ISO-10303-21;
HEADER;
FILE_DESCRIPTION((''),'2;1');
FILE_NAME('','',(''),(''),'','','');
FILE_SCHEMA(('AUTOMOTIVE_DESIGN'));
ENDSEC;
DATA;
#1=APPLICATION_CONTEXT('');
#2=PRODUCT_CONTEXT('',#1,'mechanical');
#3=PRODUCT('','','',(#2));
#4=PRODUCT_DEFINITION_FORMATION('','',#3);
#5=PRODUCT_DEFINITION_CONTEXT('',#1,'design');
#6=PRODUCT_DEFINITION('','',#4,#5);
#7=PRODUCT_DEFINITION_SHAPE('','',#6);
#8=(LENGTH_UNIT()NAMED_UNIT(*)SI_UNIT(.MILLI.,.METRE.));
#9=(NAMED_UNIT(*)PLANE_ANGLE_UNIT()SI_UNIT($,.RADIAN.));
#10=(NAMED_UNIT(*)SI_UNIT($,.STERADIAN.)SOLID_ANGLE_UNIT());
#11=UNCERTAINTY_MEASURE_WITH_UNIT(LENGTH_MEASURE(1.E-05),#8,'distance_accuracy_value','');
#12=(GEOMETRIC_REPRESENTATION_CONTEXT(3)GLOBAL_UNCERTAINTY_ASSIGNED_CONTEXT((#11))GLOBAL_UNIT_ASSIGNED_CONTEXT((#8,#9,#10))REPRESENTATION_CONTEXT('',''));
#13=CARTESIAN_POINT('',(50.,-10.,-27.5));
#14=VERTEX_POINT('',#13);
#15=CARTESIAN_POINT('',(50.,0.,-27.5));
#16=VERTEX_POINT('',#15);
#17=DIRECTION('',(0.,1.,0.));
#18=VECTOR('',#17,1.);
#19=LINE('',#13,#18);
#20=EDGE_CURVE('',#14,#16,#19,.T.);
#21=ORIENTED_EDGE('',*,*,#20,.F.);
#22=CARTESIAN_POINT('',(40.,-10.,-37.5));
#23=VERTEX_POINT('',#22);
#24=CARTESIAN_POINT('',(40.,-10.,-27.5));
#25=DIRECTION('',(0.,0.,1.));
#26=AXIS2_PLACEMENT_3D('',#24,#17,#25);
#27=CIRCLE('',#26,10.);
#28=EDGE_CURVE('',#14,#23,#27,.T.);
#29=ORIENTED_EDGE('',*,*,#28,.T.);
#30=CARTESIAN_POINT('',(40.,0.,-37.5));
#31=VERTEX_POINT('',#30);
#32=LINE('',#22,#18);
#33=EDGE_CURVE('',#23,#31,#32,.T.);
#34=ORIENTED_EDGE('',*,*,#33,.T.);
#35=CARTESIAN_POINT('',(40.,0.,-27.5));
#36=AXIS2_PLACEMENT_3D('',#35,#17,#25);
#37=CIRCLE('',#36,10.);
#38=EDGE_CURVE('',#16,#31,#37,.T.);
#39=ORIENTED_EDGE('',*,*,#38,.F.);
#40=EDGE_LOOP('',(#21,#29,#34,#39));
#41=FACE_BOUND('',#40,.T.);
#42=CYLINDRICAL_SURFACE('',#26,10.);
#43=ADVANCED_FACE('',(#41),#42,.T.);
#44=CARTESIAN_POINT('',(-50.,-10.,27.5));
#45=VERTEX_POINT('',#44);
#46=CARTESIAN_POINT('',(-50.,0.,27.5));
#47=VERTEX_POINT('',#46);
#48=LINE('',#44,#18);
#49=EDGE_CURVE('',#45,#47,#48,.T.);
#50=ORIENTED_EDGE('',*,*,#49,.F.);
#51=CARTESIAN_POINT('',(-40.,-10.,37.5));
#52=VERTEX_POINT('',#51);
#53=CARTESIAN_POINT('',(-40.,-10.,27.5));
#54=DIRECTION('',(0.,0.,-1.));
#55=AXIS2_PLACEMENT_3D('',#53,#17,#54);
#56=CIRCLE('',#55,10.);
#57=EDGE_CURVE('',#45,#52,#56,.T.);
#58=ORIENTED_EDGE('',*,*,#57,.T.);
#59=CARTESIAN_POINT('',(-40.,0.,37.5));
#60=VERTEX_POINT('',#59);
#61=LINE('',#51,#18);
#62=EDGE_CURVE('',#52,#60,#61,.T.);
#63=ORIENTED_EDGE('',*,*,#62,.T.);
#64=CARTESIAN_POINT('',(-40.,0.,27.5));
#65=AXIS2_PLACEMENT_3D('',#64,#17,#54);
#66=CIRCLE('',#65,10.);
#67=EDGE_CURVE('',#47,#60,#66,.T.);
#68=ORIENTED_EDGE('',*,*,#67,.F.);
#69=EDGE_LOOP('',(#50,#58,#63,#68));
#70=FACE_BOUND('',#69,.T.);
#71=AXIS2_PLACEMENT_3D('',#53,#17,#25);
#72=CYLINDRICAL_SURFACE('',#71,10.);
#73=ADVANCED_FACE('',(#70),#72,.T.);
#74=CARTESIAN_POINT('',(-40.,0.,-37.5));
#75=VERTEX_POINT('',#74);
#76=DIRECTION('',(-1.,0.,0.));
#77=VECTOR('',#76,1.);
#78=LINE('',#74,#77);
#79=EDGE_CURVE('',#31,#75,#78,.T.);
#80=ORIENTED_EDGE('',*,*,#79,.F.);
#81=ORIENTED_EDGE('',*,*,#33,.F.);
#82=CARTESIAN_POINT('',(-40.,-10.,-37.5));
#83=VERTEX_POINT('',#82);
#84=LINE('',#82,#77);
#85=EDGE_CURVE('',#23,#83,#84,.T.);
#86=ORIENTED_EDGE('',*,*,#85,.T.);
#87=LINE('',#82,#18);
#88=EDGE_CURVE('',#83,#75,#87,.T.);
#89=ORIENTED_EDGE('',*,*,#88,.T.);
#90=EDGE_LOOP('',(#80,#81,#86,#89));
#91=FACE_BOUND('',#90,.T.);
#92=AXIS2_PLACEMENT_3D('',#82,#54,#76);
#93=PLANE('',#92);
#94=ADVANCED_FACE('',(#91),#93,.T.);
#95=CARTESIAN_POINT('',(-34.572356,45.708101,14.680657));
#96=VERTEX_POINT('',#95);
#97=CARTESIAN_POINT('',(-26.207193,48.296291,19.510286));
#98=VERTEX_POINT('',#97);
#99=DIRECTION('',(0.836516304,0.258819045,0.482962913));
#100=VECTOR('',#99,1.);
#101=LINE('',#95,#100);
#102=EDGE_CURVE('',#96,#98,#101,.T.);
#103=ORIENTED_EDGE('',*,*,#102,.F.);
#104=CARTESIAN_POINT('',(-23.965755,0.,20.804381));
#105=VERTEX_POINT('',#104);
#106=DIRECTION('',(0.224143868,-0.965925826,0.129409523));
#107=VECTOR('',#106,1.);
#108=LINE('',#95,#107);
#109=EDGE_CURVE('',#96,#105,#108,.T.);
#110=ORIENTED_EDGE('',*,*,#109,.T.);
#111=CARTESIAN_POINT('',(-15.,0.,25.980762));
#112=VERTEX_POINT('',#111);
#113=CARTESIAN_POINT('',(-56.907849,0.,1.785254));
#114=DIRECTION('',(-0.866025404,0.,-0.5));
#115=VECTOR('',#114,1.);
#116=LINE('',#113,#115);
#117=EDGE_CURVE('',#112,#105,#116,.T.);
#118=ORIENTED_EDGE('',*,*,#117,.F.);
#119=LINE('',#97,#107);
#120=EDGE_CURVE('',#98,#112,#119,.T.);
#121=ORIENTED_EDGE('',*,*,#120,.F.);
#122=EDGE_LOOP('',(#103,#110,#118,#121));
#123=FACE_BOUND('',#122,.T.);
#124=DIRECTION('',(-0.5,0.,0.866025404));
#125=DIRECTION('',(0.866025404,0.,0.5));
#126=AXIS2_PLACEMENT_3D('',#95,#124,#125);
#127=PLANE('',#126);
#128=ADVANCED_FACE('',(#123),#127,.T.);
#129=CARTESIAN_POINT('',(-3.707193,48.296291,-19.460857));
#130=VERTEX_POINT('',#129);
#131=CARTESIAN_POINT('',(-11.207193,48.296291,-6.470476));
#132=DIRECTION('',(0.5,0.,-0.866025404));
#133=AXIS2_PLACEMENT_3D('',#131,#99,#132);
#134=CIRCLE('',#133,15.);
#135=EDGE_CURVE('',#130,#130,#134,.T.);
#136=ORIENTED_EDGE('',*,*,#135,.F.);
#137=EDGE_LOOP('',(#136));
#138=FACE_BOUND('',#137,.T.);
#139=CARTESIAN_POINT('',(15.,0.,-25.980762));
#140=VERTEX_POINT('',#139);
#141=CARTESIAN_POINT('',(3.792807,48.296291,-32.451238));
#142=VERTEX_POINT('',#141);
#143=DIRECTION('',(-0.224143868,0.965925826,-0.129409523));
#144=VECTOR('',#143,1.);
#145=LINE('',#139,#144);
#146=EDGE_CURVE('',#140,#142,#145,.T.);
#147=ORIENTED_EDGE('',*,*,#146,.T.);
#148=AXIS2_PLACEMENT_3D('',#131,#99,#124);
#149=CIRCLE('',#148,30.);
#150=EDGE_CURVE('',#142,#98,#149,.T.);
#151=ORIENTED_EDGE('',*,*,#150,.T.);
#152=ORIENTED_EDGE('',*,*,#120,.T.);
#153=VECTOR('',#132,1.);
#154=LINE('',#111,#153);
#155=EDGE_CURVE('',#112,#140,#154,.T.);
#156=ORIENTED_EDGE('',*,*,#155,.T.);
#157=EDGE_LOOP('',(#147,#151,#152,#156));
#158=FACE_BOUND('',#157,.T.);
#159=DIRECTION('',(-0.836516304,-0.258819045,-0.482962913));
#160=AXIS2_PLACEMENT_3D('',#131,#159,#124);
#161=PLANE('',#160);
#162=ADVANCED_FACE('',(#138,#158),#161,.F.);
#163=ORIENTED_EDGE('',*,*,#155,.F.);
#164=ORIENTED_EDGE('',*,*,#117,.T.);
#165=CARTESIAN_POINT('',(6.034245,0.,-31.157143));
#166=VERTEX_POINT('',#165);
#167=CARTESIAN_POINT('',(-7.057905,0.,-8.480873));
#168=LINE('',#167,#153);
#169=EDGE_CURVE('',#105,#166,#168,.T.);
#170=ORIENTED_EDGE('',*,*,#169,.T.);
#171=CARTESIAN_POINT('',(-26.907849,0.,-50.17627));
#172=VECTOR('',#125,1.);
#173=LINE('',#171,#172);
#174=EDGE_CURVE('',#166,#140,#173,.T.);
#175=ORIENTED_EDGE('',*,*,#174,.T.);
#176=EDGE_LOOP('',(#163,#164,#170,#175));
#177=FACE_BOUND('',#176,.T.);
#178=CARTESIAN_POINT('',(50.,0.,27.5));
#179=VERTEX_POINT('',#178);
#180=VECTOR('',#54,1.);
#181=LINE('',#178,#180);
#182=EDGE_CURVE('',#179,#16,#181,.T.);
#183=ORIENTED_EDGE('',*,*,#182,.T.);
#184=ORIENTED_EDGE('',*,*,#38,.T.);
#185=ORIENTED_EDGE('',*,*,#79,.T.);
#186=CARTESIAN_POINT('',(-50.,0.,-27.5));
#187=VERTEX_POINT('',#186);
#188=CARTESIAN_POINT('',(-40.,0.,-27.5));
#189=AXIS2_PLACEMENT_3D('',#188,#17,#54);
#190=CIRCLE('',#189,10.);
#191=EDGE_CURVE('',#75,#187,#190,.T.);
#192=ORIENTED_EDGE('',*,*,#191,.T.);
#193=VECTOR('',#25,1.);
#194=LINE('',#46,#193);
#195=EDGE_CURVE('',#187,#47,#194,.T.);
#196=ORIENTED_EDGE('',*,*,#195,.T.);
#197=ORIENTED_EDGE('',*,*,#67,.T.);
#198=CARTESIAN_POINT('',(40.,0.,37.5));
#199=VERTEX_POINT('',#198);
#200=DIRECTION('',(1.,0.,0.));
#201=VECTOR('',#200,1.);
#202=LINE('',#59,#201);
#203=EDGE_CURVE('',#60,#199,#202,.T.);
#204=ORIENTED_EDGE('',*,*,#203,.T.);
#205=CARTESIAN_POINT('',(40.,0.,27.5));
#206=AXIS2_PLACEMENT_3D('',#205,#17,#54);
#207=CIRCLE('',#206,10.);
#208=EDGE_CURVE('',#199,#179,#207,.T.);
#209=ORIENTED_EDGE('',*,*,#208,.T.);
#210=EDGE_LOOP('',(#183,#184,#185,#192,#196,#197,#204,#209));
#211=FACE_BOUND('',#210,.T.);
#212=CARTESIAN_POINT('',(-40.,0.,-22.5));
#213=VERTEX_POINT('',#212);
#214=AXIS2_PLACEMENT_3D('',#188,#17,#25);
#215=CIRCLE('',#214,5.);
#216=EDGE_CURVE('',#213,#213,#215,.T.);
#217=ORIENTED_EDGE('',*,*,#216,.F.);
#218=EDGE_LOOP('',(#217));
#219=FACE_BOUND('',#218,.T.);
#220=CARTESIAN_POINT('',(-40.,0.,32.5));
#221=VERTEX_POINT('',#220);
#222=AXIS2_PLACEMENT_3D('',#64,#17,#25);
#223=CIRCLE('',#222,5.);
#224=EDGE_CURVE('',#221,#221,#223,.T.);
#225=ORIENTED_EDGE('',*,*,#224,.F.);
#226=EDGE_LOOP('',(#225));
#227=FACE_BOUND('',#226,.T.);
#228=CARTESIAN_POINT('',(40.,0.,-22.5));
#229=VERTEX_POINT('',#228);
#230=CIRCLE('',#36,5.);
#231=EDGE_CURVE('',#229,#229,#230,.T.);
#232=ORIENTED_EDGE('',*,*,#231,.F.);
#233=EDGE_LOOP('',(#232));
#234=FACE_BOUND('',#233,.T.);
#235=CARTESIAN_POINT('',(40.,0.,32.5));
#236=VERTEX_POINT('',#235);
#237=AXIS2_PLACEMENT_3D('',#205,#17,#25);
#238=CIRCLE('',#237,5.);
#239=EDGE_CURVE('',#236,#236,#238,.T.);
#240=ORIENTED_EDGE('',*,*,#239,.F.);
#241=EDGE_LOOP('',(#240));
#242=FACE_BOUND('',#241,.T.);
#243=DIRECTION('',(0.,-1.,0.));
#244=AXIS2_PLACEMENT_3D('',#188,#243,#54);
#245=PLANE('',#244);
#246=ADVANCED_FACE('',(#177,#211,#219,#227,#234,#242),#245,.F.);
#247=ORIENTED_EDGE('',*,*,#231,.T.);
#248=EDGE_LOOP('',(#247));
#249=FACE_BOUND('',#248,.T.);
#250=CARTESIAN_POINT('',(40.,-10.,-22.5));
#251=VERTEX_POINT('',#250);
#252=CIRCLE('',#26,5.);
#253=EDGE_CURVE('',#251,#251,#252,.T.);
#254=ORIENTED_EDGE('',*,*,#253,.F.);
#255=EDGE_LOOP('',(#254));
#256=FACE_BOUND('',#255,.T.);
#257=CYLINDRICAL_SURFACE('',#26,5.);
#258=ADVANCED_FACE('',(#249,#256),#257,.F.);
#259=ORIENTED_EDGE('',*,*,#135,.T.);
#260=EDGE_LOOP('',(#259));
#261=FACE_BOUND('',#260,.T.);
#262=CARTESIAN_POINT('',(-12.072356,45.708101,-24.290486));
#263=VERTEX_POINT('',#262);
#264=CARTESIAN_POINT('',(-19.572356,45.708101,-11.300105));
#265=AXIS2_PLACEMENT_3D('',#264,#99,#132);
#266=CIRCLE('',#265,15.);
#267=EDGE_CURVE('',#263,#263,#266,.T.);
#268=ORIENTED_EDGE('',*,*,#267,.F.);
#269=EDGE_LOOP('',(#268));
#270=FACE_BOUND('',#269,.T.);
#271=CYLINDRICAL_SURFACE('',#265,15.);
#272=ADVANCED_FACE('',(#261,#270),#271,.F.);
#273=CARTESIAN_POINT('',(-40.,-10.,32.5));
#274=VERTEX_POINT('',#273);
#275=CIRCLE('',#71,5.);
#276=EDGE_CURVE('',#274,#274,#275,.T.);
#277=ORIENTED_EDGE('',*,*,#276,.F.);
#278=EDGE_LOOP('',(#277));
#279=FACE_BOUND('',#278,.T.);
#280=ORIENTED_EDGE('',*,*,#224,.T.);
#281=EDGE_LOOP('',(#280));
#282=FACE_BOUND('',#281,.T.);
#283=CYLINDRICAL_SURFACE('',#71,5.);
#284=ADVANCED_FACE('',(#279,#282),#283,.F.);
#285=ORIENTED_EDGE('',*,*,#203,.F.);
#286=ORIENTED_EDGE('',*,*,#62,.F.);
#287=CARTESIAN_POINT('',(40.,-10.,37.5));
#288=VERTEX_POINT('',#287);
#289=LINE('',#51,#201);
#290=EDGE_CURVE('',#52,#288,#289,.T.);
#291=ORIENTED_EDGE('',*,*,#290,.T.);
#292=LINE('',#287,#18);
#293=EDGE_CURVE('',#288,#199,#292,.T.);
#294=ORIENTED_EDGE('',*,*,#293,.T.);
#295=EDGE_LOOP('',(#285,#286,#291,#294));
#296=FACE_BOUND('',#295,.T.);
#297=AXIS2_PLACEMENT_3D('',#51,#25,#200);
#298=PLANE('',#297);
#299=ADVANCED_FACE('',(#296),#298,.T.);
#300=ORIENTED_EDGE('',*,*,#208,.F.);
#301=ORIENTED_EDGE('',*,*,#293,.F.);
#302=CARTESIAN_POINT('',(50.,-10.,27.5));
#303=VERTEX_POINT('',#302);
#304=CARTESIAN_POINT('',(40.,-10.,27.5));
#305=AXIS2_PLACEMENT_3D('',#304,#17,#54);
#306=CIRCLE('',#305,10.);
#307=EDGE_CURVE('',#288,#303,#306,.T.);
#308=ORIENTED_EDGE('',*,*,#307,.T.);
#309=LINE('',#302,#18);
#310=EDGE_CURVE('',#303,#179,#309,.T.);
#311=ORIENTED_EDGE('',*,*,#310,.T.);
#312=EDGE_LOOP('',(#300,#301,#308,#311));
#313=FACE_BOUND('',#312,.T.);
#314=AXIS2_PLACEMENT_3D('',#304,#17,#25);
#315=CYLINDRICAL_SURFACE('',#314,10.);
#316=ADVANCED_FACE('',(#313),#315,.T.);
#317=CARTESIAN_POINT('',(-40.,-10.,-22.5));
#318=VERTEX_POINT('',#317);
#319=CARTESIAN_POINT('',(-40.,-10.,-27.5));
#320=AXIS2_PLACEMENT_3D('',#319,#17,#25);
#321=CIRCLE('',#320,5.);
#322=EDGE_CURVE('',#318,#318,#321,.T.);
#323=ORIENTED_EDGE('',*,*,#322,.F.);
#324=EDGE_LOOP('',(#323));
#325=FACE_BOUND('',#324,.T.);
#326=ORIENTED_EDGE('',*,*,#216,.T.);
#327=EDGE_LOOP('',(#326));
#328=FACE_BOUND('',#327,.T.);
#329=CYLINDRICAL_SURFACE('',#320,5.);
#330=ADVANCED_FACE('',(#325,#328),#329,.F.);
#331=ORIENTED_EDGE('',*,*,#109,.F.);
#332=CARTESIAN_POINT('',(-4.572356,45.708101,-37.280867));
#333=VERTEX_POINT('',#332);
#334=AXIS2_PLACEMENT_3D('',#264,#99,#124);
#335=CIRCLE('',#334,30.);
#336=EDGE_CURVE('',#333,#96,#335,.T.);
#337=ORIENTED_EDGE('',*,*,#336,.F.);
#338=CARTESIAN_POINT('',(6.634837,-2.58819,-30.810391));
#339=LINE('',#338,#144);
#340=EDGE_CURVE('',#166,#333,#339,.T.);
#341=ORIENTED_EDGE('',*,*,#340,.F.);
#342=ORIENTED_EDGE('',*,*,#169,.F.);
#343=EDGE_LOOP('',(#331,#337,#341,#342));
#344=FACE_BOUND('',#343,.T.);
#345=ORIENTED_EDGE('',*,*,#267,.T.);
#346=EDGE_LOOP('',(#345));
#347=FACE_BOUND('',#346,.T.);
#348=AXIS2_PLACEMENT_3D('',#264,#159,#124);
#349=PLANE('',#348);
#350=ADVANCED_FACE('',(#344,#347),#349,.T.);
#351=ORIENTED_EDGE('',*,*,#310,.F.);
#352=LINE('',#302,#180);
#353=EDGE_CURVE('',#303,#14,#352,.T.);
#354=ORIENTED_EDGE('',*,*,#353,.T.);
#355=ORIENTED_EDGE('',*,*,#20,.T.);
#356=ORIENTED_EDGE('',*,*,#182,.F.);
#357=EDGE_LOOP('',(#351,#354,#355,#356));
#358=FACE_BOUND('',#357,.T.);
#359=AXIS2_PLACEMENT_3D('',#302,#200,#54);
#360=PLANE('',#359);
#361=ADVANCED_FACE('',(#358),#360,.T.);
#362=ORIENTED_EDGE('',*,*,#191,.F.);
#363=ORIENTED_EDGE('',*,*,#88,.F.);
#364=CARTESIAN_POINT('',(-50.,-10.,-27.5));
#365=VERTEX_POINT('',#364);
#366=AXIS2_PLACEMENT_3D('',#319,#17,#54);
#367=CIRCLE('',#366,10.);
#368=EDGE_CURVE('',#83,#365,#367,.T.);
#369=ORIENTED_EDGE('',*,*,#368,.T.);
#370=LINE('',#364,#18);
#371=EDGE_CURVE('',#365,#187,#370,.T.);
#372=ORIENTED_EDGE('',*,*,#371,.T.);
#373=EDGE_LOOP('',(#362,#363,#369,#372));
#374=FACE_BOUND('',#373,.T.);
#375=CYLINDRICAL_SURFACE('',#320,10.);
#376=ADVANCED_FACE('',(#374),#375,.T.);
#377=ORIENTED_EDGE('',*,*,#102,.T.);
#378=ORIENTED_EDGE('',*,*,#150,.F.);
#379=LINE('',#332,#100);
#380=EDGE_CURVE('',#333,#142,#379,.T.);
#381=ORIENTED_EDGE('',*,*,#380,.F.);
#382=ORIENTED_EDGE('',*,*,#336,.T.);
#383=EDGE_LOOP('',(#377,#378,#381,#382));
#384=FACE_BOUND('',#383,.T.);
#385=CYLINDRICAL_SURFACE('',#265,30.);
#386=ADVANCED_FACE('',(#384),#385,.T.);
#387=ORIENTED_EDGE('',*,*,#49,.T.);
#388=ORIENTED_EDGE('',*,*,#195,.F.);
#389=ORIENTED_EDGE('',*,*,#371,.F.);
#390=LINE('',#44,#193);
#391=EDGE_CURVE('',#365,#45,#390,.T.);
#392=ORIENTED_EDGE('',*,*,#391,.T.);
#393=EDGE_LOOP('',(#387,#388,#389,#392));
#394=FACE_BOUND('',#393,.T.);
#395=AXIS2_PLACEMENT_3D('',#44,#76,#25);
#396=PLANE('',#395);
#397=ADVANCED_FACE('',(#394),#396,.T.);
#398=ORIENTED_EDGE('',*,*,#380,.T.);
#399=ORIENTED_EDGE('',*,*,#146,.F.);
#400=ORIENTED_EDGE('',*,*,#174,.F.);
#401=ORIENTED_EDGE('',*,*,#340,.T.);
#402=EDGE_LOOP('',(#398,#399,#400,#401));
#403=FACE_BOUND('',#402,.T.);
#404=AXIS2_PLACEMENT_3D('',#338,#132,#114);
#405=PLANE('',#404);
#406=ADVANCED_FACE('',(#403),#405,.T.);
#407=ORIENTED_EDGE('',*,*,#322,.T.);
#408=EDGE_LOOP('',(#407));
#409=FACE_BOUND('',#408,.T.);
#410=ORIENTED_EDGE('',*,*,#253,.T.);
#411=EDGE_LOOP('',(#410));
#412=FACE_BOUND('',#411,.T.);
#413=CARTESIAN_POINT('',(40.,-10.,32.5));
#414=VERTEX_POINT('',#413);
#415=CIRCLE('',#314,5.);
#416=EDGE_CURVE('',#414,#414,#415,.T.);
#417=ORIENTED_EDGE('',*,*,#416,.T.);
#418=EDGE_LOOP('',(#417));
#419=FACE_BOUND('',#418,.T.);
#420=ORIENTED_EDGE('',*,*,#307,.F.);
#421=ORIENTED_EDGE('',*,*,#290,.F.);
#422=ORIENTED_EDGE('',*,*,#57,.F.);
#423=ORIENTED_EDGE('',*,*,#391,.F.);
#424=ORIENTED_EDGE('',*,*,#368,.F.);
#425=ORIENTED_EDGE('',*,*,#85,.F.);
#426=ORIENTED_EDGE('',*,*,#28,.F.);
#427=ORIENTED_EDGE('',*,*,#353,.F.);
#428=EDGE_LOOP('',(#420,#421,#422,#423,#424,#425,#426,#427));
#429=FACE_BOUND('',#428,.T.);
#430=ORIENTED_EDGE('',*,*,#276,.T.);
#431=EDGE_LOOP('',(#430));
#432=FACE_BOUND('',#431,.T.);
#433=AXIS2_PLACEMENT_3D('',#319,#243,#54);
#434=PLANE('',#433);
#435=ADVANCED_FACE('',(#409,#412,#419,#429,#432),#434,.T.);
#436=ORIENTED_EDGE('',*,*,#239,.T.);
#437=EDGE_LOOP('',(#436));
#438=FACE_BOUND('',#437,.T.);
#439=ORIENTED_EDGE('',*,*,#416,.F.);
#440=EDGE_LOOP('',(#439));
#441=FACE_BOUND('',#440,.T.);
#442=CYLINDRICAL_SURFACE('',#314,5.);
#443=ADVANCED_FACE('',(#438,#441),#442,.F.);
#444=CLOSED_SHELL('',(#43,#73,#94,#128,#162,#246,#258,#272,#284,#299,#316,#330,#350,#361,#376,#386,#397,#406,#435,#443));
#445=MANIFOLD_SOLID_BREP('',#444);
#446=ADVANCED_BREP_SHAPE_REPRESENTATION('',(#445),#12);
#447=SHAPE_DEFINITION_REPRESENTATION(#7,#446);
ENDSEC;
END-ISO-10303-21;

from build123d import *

# Parameters (mm, degrees)
SKETCH_1_R      = 5
EXTRUDE_1_DEPTH = 10
SKETCH_3_R      = 15
EXTRUDE_2_DEPTH = 10


with BuildPart() as part:
    # 草圖1 → 填料-伸長1 (new body)
    with BuildSketch(Plane(origin=(0, 0, 0), x_dir=(1, 0, 0), z_dir=(0, 1, 0))):
        with BuildLine():
            Line((-40, -37.5), (40, -37.5))
            ThreePointArc((40, -37.5), (47.071067812, -34.571067812), (50, -27.5))
            Line((50, -27.5), (50, 27.5))
            ThreePointArc((50, 27.5), (47.071067812, 34.571067812), (40, 37.5))
            Line((40, 37.5), (-40, 37.5))
            ThreePointArc((-40, 37.5), (-47.071067812, 34.571067812), (-50, 27.5))
            Line((-50, 27.5), (-50, -27.5))
            ThreePointArc((-50, -27.5), (-47.071067812, -34.571067812), (-40, -37.5))
        make_face()
        with Locations((-40, 27.5)):
            Circle(SKETCH_1_R, mode=Mode.SUBTRACT)
        with Locations((40, 27.5)):
            Circle(SKETCH_1_R, mode=Mode.SUBTRACT)
        with Locations((-40, -27.5)):
            Circle(SKETCH_1_R, mode=Mode.SUBTRACT)
        with Locations((40, -27.5)):
            Circle(SKETCH_1_R, mode=Mode.SUBTRACT)
    extrude(amount=-EXTRUDE_1_DEPTH)

    # 草圖3 → 填料-伸長2 (add)
    with BuildSketch(Plane(origin=(0, 0, 0), x_dir=(0.500000000000001, 0, -0.866025403784438), z_dir=(0.8365163037378073, 0.25881904510252135, 0.48296291314453504))):
        with BuildLine():
            Line((-30, 50), (-30, 0))
            Line((-30, 0), (30, 0))
            Line((30, 0), (30, 50))
            ThreePointArc((30, 50), (0, 80), (-30, 50))
        make_face()
        with Locations((0, 50)):
            Circle(SKETCH_3_R, mode=Mode.SUBTRACT)
    extrude(amount=-EXTRUDE_2_DEPTH)


solid = part.part
